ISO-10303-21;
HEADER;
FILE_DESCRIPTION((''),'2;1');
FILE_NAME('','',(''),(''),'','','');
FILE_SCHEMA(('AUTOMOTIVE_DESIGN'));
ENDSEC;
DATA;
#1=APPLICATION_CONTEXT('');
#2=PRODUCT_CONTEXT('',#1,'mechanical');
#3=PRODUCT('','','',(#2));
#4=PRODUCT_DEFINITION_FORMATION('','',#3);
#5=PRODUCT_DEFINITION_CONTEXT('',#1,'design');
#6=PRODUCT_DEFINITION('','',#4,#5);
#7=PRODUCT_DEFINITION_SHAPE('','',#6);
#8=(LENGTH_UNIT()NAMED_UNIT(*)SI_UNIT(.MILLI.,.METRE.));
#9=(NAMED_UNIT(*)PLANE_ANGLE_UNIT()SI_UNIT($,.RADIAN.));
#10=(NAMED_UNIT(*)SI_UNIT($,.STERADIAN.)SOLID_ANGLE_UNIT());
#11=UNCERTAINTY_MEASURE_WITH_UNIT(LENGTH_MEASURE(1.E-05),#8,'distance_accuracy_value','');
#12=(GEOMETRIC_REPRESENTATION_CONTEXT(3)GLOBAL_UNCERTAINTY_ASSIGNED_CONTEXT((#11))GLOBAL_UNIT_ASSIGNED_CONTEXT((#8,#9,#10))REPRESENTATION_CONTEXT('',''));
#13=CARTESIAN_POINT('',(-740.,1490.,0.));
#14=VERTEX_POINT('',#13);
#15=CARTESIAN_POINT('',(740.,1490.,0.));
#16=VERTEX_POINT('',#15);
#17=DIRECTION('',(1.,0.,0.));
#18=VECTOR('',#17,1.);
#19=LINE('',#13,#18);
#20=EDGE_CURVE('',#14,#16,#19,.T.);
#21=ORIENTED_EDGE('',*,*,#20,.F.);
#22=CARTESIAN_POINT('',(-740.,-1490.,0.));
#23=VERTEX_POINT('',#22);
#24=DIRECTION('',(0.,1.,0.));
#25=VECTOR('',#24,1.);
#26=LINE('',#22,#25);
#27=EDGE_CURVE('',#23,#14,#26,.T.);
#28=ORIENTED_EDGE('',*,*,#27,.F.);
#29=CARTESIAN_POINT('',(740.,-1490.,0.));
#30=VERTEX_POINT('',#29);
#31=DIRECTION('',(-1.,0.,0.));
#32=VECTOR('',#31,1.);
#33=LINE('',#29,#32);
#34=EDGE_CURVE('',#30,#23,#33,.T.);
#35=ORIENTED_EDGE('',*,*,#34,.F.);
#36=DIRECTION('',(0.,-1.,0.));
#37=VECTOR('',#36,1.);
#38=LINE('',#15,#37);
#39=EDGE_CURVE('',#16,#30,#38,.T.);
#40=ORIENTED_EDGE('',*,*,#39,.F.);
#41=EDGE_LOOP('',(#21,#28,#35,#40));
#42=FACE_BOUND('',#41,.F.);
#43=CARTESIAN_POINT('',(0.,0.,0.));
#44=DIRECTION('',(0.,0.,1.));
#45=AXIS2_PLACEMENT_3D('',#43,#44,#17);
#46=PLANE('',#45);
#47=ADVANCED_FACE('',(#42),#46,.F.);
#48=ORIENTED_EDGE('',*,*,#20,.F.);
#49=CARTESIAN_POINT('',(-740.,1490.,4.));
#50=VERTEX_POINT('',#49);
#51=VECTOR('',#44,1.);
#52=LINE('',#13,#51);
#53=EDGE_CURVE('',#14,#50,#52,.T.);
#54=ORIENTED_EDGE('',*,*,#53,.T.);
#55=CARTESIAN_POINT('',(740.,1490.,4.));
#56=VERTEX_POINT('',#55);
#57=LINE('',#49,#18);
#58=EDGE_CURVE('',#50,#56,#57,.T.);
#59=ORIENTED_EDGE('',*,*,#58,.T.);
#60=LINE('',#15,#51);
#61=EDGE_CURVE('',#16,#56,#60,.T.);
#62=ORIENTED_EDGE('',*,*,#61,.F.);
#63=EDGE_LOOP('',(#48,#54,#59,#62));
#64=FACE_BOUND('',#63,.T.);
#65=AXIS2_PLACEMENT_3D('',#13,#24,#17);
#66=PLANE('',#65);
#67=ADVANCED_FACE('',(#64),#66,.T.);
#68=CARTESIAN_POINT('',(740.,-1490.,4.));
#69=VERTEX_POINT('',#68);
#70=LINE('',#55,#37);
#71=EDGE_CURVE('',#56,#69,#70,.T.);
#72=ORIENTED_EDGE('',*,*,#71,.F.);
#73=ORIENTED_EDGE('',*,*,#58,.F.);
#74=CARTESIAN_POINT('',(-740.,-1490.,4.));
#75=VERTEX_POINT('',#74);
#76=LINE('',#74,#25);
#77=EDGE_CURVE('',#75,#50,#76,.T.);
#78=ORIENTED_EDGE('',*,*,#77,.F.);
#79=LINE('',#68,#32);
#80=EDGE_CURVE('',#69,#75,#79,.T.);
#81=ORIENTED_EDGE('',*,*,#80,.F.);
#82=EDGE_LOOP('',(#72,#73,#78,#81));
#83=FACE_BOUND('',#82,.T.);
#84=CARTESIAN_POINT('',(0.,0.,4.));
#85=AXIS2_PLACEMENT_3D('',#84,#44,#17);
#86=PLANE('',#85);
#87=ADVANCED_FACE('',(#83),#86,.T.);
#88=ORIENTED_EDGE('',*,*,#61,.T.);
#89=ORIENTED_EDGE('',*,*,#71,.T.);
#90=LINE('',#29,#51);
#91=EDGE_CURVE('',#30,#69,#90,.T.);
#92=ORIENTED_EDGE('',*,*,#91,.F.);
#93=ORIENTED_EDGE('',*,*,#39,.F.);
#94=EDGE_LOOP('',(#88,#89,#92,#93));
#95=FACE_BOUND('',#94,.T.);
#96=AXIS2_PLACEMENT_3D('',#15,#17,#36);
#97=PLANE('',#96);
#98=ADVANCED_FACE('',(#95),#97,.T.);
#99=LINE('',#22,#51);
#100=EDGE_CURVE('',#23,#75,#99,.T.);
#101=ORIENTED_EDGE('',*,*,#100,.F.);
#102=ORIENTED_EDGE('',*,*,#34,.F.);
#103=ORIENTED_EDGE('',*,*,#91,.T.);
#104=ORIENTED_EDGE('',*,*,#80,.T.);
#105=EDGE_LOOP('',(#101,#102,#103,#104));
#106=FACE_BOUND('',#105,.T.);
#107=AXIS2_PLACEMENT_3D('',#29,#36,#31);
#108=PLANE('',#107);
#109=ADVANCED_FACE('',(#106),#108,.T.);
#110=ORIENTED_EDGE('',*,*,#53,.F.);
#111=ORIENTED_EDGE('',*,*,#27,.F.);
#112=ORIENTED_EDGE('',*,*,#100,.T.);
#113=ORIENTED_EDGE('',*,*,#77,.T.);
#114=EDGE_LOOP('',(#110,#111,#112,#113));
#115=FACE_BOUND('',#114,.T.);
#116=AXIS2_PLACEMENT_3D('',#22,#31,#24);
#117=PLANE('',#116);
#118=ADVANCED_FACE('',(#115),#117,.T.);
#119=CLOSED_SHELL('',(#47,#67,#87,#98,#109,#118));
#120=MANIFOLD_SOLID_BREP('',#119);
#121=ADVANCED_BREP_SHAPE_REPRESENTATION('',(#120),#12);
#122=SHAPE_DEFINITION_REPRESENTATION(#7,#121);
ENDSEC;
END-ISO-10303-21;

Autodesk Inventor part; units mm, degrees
ref_plane "YZ Plane" through (0, 0, 0) normal (1, 0, 0) x (0, 1, 0)
ref_plane "XZ Plane" through (0, 0, 0) normal (0, 1, 0) x (-1, 0, 0)
ref_plane "XY Plane" through (0, 0, 0) normal (0, 0, 1) x (1, 0, 0)
sketch "Sketch1" plane through (0, 0, 0) normal (0, 0, 1) x (1, 0, 0)
  line L0 (740, -1490) -> (-740, -1490)
  line L1 (-740, -1490) -> (-740, 1490)
  line L2 (-740, 1490) -> (740, 1490)
  line L3 (740, 1490) -> (740, -1490)
  line L4 (740, -1490) -> (-740, 1490) construction
  line L5 (-740, -1490) -> (740, 1490) construction
  point P0 (0, 0)
  dimension "d0" = 1480
  dimension "d1" = 2980
extrude "Plate1" add sketch "Sketch1" along normal blind 4
equation "\"d0\" = Лист_ширина"
equation "\"d2\" = Thickness"
equation "\"BendRadius\" = Thickness"
equation "\"BendReliefWidth\" = Thickness"
equation "\"BendReliefDepth\" = 0.5 * Thickness"
equation "\"CornerReliefSize\" = 4 * Thickness"
equation "\"MinimumRemnant\" = 2 * Thickness"
equation "\"TransitionRadius\" = BendRadius"
equation "\"JacobiRadiusSize\" = BendRadius"
equation "\"GapSize\" = Thickness"
equation "\"Лист_ширина\" = 1480"
equation "\"Thickness\" = 4"
properties part number "0121 GBK shield 2" material "Steel"
